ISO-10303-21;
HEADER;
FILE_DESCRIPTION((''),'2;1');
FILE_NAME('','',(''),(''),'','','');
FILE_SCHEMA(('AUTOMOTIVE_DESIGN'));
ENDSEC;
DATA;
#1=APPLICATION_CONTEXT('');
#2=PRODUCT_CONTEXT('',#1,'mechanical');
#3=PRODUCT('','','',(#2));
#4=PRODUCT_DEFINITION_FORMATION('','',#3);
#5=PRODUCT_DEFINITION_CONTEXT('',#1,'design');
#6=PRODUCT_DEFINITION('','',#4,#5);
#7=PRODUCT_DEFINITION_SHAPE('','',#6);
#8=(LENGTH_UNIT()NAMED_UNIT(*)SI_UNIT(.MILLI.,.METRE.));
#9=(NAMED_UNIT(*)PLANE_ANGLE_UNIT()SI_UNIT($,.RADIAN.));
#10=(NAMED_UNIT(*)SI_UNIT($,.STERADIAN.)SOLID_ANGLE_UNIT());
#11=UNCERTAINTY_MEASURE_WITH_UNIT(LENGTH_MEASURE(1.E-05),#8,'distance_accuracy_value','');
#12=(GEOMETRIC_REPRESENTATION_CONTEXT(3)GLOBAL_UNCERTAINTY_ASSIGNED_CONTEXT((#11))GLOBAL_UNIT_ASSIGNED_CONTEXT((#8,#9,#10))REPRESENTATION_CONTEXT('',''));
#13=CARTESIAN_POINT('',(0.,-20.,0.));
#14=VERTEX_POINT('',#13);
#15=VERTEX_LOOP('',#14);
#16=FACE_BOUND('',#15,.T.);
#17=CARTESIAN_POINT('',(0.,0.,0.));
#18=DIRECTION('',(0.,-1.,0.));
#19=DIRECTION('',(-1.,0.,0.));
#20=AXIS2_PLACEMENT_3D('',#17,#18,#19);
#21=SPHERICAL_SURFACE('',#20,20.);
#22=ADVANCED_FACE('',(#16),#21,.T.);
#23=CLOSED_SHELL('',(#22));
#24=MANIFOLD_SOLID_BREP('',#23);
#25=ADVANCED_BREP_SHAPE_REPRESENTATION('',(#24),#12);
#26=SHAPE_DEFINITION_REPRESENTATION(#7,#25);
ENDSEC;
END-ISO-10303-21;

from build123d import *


with BuildPart() as part:
    # 草图1 → 旋转1 (revolve)
    with BuildSketch(Plane.XY):
        with BuildLine():
            Line((0, -20), (0, 20))
            ThreePointArc((0, 20), (-20, 0), (0, -20))
        make_face()
    revolve(axis=Axis((0, 29.60705824, 0), (0, -1, 0)))


solid = part.part
